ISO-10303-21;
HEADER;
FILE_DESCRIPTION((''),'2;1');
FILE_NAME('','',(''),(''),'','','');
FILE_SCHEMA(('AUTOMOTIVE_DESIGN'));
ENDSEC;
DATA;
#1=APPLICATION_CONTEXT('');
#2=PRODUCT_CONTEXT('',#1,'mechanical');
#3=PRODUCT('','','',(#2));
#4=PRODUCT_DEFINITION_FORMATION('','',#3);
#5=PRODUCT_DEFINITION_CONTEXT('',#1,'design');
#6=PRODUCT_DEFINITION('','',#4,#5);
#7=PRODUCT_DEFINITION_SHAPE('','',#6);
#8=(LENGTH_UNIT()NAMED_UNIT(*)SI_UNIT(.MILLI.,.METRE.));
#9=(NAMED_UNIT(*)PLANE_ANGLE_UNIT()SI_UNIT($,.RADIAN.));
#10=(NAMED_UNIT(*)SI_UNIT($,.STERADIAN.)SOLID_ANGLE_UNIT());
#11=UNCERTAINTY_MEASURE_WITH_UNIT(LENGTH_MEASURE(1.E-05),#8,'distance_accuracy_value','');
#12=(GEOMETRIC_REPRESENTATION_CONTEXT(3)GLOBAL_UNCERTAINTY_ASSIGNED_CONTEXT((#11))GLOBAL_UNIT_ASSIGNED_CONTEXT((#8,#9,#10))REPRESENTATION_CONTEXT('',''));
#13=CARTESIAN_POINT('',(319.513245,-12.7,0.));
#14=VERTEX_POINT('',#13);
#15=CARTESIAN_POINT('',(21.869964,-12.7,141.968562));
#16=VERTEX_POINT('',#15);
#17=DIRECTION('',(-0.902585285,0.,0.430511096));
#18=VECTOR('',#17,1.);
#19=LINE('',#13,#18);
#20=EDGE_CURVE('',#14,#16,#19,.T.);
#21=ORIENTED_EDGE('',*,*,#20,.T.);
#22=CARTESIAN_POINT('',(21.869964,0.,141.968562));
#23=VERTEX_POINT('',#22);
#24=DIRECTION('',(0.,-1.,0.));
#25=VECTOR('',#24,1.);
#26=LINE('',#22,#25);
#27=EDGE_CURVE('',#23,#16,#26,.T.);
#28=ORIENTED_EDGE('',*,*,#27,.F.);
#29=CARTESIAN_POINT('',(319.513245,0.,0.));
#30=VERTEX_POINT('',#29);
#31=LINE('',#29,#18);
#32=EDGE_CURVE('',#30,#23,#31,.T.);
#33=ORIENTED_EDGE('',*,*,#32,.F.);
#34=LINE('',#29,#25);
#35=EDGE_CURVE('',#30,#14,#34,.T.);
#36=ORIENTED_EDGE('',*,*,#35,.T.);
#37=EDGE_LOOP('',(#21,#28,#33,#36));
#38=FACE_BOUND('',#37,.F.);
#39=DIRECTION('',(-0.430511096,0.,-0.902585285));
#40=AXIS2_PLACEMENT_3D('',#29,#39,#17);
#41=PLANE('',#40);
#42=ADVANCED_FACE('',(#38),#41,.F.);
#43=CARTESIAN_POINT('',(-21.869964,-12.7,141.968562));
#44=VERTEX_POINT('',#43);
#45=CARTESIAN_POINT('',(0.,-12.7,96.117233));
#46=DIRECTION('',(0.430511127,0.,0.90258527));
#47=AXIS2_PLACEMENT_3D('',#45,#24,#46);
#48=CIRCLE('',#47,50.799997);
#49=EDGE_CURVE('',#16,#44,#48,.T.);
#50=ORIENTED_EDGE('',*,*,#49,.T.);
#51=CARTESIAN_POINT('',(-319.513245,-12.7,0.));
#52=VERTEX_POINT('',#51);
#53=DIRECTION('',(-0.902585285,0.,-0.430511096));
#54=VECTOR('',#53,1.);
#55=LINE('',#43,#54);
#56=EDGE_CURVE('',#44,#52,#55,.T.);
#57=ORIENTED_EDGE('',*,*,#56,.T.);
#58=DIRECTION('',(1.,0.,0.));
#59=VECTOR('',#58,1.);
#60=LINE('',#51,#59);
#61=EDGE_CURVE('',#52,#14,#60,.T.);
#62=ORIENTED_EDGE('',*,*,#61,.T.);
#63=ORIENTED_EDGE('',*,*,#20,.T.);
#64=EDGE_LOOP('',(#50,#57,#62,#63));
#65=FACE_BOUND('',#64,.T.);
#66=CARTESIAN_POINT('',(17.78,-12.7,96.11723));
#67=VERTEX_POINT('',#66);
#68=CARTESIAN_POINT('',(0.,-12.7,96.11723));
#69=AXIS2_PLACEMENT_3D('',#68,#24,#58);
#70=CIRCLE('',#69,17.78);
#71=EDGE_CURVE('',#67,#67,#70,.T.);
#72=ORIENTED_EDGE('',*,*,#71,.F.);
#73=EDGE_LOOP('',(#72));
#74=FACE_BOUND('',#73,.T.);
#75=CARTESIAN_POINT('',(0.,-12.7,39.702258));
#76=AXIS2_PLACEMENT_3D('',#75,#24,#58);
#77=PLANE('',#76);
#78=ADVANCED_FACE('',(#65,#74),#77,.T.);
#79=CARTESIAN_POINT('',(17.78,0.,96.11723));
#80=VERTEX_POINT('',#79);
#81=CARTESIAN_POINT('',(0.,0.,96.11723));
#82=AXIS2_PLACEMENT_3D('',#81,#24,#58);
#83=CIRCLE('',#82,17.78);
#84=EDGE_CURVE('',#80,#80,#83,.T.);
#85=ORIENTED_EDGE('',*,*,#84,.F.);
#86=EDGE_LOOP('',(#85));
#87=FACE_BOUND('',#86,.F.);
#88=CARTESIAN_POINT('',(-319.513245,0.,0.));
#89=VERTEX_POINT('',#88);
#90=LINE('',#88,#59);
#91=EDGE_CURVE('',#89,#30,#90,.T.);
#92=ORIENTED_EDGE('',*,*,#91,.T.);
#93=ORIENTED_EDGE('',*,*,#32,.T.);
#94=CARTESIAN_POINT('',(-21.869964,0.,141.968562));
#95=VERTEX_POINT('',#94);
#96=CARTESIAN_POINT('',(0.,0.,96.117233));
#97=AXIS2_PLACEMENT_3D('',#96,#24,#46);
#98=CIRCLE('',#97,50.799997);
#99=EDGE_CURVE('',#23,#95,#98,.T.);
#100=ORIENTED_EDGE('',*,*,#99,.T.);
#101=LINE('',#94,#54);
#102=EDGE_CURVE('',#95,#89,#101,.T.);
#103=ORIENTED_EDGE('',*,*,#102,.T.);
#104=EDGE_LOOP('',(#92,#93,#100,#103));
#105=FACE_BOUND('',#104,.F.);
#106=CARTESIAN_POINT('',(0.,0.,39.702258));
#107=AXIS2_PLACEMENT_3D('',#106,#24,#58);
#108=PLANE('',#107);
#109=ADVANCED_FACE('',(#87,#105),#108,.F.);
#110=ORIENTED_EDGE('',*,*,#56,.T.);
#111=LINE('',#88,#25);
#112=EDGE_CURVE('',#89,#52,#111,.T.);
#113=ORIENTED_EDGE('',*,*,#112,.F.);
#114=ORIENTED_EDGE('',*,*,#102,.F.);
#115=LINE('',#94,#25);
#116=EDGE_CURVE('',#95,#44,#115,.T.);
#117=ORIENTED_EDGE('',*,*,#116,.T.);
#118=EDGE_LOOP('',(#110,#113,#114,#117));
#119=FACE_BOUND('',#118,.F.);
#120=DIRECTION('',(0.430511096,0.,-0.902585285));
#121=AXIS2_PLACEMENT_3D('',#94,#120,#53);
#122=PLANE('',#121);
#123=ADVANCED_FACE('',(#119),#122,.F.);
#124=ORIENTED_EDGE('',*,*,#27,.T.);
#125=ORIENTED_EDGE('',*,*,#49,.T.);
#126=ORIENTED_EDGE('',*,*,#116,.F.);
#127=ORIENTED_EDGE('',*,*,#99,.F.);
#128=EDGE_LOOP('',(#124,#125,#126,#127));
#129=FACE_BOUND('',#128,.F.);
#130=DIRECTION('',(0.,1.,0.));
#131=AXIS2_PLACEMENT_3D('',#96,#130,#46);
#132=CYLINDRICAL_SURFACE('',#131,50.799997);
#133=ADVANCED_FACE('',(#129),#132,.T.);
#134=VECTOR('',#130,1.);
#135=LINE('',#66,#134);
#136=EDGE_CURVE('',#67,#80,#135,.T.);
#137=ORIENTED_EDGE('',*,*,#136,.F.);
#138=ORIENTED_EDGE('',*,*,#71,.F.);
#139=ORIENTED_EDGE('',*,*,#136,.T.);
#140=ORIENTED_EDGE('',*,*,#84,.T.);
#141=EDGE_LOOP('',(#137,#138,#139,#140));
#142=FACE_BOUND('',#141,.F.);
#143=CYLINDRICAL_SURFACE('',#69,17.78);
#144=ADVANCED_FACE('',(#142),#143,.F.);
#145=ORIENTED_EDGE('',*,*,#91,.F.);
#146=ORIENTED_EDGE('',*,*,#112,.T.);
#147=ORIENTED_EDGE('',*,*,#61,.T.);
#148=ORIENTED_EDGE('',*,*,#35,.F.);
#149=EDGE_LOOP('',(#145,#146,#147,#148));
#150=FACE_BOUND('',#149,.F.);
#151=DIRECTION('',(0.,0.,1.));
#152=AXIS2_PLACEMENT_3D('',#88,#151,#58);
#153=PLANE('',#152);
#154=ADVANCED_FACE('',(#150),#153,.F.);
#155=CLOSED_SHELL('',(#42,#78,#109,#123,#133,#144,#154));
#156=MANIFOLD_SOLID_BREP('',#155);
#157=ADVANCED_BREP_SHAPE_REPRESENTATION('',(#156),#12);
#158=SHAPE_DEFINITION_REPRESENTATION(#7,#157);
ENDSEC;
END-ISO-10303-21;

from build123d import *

# Parameters (mm, degrees)
F1_DEPTH = 12.7
F2_R     = 17.78
F3_DEPTH = 12.701


with BuildPart() as f1:
    # F0 (on Front) → F1 (new body)
    with BuildSketch(Plane.XZ):
        with BuildLine():
            Line((-21.869964, 141.968562), (-319.513245, 0))
            Line((-319.513245, 0), (319.513245, 0))
            Line((319.513245, 0), (21.869964, 141.968562))
            ThreePointArc((21.869964, 141.968562), (0, 146.91723), (-21.869964, 141.968562))
        make_face()
    extrude(amount=F1_DEPTH)

    # F2 (on face) → F3 (cut, through all)
    with BuildSketch(Plane.XZ.offset(12.7)):
        with Locations((0, 96.11723)):
            Circle(F2_R)
    extrude(amount=-F3_DEPTH, mode=Mode.SUBTRACT)


solid = f1.part
